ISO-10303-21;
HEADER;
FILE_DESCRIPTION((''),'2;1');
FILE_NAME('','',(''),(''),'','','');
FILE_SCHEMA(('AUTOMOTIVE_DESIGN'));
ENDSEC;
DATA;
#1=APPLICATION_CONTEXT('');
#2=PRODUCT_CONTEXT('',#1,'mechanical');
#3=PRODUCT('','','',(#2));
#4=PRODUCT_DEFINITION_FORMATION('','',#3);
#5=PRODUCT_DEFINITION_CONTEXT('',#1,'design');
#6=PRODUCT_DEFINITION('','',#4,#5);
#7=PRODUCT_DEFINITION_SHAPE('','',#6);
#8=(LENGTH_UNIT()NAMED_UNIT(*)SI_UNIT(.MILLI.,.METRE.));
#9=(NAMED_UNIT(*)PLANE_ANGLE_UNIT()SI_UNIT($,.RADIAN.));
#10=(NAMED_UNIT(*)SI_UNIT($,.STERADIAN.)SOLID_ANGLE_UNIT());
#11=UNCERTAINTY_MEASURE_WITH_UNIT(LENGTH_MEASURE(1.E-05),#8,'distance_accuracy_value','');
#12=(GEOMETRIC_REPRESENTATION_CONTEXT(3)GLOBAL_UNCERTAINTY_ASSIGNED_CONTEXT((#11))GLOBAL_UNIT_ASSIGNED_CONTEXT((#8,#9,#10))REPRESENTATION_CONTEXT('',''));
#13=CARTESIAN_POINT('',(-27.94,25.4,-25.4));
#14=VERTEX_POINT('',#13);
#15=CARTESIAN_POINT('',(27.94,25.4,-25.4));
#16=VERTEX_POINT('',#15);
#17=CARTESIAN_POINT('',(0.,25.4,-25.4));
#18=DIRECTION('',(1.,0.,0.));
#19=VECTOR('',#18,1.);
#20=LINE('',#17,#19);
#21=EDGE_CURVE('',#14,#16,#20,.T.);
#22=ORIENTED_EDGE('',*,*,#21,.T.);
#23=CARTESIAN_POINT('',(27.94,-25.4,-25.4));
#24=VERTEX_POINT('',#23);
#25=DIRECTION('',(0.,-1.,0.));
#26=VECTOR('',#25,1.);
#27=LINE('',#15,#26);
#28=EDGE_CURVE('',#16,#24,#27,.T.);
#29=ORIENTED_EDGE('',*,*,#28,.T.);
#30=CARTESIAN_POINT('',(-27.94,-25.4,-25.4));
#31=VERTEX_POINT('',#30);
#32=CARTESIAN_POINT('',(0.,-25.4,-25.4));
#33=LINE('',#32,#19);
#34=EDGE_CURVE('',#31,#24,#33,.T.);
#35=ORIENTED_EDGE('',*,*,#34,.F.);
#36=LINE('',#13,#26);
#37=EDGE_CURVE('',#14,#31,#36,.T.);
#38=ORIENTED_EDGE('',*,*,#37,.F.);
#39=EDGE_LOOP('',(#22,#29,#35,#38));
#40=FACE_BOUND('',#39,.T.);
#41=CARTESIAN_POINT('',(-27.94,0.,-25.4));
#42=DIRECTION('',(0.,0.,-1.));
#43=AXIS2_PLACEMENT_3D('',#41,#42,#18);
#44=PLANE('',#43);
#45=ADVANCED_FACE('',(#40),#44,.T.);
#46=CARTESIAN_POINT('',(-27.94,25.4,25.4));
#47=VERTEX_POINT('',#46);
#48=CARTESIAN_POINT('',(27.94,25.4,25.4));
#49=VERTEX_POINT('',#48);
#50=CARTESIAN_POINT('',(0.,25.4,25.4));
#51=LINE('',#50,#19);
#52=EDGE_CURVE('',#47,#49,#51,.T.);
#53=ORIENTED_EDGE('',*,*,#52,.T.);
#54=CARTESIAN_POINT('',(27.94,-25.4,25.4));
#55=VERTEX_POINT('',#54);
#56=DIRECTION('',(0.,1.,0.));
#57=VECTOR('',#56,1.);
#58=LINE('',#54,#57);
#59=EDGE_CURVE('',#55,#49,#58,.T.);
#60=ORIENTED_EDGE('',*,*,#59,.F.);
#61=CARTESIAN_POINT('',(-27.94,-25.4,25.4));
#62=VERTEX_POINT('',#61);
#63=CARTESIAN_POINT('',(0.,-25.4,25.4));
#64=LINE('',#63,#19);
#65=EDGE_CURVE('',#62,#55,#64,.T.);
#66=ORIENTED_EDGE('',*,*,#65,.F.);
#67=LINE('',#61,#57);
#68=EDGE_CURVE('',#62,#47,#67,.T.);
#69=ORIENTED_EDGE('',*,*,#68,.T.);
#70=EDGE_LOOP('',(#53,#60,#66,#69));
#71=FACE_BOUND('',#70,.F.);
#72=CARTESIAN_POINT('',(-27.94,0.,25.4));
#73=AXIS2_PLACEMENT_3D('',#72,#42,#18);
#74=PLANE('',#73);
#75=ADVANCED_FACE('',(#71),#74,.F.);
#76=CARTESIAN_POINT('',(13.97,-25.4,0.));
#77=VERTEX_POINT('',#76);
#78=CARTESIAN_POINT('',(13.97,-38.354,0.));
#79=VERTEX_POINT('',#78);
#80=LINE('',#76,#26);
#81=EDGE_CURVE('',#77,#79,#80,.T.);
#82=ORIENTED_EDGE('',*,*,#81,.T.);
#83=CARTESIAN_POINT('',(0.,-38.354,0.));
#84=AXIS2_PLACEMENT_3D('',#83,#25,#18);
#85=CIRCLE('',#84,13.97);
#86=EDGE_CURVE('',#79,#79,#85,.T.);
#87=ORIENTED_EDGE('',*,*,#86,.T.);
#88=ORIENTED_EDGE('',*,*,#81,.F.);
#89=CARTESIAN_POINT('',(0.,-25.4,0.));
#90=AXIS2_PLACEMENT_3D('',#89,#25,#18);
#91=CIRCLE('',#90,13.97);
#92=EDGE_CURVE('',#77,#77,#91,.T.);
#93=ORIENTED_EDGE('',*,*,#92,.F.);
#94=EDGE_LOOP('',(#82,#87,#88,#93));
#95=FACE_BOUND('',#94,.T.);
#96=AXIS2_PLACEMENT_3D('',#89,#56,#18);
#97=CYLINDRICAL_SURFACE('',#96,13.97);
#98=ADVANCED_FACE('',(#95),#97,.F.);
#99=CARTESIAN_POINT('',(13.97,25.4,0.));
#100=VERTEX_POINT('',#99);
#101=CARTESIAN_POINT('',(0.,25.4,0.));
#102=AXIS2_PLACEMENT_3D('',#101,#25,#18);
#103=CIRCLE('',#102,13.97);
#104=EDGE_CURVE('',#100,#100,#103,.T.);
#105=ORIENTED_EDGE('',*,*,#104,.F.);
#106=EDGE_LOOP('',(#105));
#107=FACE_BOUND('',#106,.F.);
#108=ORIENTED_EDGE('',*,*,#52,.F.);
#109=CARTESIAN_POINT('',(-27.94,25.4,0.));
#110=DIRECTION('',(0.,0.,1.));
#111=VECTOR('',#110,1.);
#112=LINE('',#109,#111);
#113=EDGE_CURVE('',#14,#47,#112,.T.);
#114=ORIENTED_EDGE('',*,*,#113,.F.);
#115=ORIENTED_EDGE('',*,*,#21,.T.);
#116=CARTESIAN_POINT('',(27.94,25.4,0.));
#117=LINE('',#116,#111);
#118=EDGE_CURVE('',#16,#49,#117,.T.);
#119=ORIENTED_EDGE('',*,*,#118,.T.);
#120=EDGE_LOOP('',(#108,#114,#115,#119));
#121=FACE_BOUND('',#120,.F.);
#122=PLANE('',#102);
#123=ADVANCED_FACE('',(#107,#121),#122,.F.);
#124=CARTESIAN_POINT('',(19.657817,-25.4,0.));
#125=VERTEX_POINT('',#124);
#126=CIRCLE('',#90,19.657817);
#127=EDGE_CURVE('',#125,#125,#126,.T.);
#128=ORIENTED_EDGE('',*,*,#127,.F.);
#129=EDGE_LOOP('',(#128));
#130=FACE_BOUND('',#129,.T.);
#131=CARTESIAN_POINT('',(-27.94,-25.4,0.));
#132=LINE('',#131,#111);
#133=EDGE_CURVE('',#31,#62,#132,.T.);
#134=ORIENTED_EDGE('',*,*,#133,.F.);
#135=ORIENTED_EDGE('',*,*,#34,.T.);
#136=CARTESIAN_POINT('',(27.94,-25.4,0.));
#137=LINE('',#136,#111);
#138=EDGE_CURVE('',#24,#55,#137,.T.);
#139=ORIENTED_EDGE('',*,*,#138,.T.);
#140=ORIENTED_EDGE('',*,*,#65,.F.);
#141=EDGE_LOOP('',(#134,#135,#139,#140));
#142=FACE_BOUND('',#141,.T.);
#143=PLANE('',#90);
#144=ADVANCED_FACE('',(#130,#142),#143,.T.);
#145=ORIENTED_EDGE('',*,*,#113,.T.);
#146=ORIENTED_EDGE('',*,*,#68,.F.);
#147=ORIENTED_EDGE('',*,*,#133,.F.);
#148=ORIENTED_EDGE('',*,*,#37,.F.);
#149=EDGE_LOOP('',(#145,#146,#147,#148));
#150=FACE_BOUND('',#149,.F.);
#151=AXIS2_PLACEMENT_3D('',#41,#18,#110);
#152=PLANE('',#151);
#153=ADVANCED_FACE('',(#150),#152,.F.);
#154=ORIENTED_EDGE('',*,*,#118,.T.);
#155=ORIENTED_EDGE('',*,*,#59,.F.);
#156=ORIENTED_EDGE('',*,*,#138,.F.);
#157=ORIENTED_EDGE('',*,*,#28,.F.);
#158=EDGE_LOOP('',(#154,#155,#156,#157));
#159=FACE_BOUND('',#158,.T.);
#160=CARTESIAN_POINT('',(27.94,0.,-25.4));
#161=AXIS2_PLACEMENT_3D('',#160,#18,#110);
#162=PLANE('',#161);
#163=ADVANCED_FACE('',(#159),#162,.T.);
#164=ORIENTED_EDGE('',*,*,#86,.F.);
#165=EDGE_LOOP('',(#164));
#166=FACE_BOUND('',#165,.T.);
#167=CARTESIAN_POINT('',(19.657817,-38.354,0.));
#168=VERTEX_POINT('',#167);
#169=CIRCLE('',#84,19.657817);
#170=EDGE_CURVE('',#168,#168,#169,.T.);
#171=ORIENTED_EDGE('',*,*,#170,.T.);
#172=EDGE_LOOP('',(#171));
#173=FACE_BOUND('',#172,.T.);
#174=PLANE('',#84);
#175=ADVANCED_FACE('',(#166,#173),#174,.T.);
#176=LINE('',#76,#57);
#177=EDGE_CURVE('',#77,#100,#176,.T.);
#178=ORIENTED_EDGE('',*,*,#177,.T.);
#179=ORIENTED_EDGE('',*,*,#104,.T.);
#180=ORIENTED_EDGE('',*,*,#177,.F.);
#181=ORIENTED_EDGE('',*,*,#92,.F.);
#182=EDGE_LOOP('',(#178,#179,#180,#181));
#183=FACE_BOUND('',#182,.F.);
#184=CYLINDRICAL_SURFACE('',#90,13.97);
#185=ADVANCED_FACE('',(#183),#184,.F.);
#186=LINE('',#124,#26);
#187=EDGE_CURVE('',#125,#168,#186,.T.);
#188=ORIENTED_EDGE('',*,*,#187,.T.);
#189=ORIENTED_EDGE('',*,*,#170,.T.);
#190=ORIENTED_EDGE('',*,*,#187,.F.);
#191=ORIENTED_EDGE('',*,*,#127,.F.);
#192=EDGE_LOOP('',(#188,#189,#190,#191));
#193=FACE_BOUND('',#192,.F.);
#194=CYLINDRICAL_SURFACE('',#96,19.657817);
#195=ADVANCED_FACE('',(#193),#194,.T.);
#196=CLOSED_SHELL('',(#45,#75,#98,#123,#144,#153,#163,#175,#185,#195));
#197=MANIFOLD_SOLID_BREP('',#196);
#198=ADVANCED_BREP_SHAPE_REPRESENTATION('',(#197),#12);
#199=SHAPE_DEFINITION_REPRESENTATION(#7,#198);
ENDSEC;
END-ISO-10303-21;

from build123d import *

# Parameters (mm, degrees)
F0_W     = 55.88
F0_H     = 50.8
F1_DEPTH = 25.4
F2_R     = 13.97
F3_DEPTH = 127
F4_R     = 19.6578172959
F4_R_2   = 13.97
F5_DEPTH = 12.954


with BuildPart() as f1:
    # F0 (on Front) → F1 (new body, symmetric)
    with BuildSketch(Plane.XZ):
        Rectangle(F0_W, F0_H)
    extrude(amount=F1_DEPTH, both=True)

    # F2 (on face) → F3 (cut)
    with BuildSketch(Plane.XZ.offset(25.4)):
        Circle(F2_R)
    extrude(amount=-F3_DEPTH, mode=Mode.SUBTRACT)

    # F4 (on face) → F5 (join)
    with BuildSketch(Plane.XZ.offset(25.4)):
        Circle(F4_R)
        Circle(F4_R_2, mode=Mode.SUBTRACT)
    extrude(amount=F5_DEPTH)


solid = f1.part
